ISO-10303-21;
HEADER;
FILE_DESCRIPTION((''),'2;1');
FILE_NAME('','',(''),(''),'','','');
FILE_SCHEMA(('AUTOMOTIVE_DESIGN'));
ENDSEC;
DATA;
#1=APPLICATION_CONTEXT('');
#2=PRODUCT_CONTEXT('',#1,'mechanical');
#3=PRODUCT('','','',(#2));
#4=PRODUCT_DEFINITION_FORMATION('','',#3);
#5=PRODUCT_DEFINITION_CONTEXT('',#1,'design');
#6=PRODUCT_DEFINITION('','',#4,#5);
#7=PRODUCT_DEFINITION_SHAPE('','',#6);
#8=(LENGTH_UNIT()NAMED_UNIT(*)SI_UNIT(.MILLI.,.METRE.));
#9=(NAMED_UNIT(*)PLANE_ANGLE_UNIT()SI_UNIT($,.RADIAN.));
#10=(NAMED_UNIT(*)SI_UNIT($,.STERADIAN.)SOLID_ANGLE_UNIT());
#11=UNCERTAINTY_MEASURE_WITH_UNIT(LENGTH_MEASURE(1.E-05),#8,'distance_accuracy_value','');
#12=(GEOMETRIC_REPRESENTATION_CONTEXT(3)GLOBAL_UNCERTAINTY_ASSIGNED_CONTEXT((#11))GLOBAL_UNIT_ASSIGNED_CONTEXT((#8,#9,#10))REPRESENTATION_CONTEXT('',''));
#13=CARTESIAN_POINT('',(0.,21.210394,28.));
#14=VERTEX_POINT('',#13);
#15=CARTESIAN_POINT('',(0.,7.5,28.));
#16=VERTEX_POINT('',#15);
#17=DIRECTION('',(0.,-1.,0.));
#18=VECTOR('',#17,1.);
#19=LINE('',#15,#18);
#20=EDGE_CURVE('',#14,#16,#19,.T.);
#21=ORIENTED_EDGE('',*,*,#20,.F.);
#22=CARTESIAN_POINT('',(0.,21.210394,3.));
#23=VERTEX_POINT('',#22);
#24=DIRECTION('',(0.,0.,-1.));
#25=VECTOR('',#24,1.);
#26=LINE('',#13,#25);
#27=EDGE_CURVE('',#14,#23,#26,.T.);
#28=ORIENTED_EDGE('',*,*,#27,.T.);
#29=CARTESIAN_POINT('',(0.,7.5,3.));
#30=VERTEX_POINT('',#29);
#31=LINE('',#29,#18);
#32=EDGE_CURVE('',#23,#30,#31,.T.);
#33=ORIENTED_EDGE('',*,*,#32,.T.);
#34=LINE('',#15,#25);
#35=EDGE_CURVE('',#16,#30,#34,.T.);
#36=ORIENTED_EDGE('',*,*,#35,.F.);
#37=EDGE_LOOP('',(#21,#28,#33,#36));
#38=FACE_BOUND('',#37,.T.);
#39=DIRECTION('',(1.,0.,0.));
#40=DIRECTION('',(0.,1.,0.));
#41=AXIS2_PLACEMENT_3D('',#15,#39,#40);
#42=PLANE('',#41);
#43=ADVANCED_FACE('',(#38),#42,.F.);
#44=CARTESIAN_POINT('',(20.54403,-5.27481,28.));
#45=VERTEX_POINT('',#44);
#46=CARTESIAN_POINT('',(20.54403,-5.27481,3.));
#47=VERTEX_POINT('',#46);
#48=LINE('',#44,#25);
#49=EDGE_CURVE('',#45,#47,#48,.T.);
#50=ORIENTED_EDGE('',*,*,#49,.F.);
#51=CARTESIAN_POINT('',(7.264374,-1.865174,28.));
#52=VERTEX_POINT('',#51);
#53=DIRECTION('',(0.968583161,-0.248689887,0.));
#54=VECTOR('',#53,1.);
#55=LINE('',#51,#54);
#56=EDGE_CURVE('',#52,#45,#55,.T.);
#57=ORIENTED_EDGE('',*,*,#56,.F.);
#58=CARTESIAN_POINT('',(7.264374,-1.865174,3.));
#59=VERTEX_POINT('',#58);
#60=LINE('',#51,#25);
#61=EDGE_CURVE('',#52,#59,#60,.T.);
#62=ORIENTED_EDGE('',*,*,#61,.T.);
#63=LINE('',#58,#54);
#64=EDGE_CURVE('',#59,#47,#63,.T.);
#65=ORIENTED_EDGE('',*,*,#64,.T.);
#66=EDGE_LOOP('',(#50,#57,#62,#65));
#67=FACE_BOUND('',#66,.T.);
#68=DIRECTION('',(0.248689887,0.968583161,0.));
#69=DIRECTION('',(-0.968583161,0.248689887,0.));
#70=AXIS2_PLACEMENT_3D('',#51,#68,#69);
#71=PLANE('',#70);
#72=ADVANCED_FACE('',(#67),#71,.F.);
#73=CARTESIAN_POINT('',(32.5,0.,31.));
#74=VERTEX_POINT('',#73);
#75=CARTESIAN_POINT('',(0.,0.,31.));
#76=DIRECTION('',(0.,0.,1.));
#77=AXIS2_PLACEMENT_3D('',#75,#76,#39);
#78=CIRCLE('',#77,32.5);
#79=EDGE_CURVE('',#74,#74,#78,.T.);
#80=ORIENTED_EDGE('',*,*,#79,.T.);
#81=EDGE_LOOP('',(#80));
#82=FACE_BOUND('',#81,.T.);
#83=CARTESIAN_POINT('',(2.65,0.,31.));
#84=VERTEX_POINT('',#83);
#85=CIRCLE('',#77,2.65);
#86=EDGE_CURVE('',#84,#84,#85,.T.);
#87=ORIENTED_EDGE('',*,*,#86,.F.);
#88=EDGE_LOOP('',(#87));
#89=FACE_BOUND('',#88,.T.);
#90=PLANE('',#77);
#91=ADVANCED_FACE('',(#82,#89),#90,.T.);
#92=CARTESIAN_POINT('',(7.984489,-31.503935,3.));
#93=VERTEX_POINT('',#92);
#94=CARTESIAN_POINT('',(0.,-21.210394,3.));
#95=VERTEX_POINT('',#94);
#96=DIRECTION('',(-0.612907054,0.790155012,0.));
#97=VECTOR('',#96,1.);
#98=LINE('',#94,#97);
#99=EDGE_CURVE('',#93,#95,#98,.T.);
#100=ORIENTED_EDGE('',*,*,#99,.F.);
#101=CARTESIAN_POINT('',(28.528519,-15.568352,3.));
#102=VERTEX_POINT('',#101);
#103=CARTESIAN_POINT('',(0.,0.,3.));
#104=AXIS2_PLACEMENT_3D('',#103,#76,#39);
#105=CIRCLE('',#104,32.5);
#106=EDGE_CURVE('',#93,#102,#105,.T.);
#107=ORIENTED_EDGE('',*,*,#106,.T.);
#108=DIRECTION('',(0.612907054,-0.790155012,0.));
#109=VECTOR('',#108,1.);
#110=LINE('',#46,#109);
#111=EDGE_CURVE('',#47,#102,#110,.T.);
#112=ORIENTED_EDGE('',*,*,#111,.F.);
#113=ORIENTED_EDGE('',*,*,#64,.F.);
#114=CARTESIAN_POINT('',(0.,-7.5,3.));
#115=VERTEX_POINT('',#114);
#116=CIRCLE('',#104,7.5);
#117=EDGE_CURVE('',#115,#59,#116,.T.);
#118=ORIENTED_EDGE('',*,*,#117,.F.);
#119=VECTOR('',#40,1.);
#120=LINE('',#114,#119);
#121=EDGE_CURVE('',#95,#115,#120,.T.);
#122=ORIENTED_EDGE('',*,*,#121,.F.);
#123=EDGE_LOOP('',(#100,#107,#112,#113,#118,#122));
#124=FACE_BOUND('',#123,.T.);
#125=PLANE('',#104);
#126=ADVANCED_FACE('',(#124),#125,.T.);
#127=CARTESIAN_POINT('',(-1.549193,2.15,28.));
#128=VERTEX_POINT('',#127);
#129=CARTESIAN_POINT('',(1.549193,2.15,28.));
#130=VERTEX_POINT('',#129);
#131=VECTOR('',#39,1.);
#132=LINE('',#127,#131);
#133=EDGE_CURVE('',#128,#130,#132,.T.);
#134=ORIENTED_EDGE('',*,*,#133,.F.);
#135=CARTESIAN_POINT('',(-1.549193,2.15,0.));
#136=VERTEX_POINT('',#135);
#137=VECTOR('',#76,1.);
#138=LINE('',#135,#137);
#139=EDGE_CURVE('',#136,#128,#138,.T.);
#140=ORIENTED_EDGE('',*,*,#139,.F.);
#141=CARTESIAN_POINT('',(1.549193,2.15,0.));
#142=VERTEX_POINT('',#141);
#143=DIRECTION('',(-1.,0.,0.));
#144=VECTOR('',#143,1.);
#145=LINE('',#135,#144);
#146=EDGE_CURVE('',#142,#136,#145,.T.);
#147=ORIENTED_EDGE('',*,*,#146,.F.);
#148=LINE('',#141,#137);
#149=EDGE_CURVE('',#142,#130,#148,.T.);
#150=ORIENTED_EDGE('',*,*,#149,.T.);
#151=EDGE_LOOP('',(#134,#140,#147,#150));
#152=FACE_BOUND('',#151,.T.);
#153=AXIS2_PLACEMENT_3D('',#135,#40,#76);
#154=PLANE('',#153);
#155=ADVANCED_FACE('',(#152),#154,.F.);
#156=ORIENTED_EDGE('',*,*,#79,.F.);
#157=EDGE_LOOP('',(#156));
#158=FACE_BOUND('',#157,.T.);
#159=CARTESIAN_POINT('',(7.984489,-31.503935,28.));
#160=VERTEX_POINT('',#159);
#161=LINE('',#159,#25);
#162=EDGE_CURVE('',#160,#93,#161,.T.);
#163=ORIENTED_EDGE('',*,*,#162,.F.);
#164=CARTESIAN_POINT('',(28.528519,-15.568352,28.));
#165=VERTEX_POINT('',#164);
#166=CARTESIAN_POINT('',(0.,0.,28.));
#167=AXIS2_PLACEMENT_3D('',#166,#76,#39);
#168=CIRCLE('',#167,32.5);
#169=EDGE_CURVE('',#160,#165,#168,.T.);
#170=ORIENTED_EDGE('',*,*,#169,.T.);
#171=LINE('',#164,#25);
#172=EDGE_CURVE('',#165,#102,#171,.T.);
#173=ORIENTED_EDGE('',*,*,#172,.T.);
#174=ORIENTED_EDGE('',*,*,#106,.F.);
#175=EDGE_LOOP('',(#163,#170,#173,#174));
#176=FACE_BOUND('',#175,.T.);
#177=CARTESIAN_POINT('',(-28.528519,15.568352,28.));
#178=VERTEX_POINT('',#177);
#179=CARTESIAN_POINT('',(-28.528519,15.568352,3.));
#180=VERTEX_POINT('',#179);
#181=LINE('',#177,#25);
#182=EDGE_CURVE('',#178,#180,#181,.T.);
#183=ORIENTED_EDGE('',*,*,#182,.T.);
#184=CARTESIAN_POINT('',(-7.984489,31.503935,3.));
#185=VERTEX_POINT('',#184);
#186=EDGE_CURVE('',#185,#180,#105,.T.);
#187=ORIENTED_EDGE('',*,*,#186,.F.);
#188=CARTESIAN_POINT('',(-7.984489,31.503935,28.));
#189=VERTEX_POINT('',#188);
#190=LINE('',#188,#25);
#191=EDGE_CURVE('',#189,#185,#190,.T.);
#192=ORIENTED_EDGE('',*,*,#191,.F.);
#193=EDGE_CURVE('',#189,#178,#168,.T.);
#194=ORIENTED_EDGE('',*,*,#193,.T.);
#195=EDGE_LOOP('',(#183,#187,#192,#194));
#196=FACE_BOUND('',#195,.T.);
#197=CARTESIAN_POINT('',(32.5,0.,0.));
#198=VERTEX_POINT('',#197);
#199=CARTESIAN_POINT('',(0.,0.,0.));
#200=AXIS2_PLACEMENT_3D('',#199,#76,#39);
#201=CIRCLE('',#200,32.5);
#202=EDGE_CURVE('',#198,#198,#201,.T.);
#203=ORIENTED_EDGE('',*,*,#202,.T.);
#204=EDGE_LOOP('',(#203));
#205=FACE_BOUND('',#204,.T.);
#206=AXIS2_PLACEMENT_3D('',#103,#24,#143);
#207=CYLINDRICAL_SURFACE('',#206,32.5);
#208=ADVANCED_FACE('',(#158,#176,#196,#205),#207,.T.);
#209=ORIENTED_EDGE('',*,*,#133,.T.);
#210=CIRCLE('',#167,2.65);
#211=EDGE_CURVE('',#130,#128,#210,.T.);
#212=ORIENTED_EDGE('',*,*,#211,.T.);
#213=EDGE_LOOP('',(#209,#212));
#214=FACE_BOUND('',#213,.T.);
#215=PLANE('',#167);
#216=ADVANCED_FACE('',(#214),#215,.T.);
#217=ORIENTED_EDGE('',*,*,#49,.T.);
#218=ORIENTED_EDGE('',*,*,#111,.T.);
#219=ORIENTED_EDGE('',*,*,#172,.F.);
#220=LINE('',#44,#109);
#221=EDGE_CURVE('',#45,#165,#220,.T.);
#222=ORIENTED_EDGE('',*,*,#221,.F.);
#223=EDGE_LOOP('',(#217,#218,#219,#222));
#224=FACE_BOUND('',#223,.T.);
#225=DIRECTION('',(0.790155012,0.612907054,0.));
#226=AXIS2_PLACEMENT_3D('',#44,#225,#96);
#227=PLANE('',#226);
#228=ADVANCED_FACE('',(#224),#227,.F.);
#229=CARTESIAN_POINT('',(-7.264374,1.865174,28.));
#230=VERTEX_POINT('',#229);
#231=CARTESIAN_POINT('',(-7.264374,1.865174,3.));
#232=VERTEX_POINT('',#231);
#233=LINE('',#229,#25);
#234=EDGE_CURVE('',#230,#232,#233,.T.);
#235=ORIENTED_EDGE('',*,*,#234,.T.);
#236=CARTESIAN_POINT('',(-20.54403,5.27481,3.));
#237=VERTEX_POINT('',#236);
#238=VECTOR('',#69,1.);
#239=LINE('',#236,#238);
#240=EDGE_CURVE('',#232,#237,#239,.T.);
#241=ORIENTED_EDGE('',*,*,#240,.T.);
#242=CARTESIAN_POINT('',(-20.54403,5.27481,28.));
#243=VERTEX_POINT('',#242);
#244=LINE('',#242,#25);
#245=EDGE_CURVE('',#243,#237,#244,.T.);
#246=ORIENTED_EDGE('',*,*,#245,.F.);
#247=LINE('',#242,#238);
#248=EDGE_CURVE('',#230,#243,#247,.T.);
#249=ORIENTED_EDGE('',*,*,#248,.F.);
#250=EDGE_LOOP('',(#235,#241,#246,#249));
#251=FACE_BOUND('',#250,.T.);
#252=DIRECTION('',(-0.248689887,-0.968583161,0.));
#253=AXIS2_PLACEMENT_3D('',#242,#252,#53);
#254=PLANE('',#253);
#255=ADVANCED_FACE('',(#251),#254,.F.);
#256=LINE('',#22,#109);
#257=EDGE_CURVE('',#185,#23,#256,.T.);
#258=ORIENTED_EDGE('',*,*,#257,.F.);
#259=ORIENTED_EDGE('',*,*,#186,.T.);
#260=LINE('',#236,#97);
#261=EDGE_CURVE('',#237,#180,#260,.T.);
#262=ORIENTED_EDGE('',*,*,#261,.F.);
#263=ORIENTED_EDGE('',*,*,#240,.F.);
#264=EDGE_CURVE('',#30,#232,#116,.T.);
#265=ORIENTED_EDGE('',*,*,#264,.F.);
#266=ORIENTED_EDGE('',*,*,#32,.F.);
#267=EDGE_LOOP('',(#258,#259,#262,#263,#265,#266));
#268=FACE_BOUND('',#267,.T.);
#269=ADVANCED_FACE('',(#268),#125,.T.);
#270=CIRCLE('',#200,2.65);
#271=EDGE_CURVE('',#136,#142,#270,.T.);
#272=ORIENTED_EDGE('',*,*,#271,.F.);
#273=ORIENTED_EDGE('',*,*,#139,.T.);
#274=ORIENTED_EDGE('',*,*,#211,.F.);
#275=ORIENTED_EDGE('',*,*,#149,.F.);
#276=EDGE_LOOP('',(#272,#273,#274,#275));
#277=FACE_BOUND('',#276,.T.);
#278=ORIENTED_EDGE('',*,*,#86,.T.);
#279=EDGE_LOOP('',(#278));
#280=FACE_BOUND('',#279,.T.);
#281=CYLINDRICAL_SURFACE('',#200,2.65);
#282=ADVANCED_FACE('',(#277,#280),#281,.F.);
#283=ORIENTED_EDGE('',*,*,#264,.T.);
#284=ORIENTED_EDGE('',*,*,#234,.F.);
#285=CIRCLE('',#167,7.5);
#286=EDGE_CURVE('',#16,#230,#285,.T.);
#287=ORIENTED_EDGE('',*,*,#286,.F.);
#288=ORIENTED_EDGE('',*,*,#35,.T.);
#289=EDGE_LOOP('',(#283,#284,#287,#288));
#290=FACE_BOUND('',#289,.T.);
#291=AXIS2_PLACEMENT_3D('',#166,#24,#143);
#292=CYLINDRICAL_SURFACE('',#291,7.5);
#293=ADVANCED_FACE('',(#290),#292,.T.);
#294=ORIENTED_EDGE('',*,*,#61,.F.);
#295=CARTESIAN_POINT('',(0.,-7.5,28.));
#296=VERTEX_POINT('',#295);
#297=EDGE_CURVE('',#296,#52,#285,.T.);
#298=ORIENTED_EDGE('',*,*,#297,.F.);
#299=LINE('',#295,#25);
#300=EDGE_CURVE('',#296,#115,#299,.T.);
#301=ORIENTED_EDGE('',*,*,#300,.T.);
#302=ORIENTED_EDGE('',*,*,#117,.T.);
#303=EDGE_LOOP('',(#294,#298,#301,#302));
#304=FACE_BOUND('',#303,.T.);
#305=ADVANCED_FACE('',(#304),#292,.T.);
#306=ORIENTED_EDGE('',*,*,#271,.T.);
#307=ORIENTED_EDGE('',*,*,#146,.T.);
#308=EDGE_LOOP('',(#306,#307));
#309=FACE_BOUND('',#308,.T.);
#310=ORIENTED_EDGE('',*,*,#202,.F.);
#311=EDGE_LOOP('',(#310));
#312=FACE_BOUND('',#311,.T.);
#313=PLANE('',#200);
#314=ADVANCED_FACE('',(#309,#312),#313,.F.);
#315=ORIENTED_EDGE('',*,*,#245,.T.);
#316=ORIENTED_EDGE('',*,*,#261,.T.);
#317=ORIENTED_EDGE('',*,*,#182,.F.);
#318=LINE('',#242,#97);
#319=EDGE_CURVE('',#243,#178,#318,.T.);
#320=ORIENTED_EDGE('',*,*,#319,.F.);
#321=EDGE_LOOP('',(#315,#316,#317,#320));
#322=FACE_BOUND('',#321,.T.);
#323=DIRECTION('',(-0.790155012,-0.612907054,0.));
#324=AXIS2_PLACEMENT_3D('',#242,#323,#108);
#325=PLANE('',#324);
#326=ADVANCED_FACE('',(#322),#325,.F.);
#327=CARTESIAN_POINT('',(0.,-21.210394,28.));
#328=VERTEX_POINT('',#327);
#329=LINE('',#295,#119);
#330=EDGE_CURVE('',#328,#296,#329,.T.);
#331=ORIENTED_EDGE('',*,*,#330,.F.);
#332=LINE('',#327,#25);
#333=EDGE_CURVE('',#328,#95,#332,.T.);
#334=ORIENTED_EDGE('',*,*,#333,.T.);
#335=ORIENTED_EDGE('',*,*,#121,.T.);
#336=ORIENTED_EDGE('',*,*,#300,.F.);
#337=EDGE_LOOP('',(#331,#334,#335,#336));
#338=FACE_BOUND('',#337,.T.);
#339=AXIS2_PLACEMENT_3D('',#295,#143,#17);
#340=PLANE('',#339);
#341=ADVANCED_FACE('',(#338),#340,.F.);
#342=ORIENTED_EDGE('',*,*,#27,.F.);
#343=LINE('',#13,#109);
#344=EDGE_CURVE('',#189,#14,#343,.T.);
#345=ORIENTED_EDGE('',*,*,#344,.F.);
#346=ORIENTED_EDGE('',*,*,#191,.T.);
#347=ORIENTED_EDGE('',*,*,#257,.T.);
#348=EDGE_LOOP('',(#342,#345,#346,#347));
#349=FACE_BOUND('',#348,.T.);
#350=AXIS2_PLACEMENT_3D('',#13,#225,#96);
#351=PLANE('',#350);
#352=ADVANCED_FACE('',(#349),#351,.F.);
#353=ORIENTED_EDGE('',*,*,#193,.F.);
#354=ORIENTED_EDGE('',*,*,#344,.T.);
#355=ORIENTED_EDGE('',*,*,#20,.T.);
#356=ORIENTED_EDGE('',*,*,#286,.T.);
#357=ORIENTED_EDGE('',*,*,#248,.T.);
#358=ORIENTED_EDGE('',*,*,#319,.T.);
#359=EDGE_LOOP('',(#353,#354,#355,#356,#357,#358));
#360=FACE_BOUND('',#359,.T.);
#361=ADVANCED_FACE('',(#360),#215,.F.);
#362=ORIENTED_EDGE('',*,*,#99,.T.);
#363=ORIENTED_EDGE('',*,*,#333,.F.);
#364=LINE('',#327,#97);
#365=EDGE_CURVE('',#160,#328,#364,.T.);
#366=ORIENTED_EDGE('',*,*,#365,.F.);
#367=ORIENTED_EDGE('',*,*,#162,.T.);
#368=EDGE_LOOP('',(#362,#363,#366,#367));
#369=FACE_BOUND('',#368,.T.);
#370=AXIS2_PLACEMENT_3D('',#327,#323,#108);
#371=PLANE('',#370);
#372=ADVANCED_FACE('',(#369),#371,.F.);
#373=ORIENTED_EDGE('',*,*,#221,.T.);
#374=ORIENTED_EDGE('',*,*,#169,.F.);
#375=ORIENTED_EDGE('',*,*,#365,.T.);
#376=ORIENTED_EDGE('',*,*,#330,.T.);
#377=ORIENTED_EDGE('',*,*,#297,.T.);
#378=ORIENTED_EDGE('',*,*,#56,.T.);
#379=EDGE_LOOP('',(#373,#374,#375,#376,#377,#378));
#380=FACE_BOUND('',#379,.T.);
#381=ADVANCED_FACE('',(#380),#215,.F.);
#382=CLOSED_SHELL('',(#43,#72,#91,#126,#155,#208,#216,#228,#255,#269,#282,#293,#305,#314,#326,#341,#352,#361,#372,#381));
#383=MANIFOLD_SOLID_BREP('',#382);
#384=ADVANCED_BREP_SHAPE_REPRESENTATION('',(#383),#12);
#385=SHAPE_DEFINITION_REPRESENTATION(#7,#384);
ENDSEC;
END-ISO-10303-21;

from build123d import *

# Parameters (mm, degrees)
SKETCH2_R           = 32.5
BOSS_EXTRUDE1_DEPTH = 3
BOSS_EXTRUDE2_DEPTH = 25
SKETCH4_R           = 32.5
BOSS_EXTRUDE3_DEPTH = 3
CUT_EXTRUDE1_DEPTH  = 56.439155838
SKETCH7_R           = 2.65
CUT_EXTRUDE2_DEPTH  = 3


with BuildPart() as part:
    # Sketch2 → Boss-Extrude1 (new body)
    with BuildSketch(Plane.XY):
        Circle(SKETCH2_R)
    extrude(amount=BOSS_EXTRUDE1_DEPTH)

    # Sketch3 → Boss-Extrude2 (add)
    with BuildSketch(Plane.XY.offset(3)):
        with BuildLine():
            Line((0, 7.5), (0, 21.210393848))
            Line((0, 21.210393848), (-7.984489127, 31.503935205))
            ThreePointArc((-7.984489127, 31.503935205), (-4.023189397, 32.250022435), (0, 32.5))
            ThreePointArc((0, 32.5), (25.680037902, 19.919479244), (31.478952737, -8.082421333))
            ThreePointArc((31.478952737, -8.082421333), (30.23630216, -11.917047944), (28.528519449, -15.56835181))
            Line((28.528519449, -15.56835181), (20.544030322, -5.274810453))
            Line((20.544030322, -5.274810453), (7.264373708, -1.865174154))
            ThreePointArc((7.264373708, -1.865174154), (4.596802902, -5.926162593), (0, -7.5))
            Line((0, -7.5), (0, -21.210393848))
            Line((0, -21.210393848), (7.984489127, -31.503935205))
            ThreePointArc((7.984489127, -31.503935205), (4.023189397, -32.250022435), (0, -32.5))
            ThreePointArc((0, -32.5), (-25.680037902, -19.919479244), (-31.478952737, 8.082421333))
            ThreePointArc((-31.478952737, 8.082421333), (-30.23630216, 11.917047944), (-28.528519449, 15.56835181))
            Line((-28.528519449, 15.56835181), (-20.544030322, 5.274810453))
            Line((-20.544030322, 5.274810453), (-7.264373708, 1.865174154))
            ThreePointArc((-7.264373708, 1.865174154), (-4.596802902, 5.926162593), (0, 7.5))
        make_face()
    extrude(amount=BOSS_EXTRUDE2_DEPTH)

    # Sketch4 → Boss-Extrude3 (add)
    with BuildSketch(Plane.XY.offset(28)):
        Circle(SKETCH4_R)
    extrude(amount=BOSS_EXTRUDE3_DEPTH)

    # Sketch5 → Cut-Extrude1 (cut, through all)
    with BuildSketch(Plane.XY.offset(31)):
        with BuildLine():
            Line((-1.549193338, 2.15), (1.549193338, 2.15))
            ThreePointArc((1.549193338, 2.15), (0, -2.65), (-1.549193338, 2.15))
        make_face()
    extrude(amount=-CUT_EXTRUDE1_DEPTH, mode=Mode.SUBTRACT)

    # Sketch7 → Cut-Extrude2 (cut)
    with BuildSketch(Plane.XY.offset(31)):
        Circle(SKETCH7_R)
    extrude(amount=-CUT_EXTRUDE2_DEPTH, mode=Mode.SUBTRACT)


solid = part.part
